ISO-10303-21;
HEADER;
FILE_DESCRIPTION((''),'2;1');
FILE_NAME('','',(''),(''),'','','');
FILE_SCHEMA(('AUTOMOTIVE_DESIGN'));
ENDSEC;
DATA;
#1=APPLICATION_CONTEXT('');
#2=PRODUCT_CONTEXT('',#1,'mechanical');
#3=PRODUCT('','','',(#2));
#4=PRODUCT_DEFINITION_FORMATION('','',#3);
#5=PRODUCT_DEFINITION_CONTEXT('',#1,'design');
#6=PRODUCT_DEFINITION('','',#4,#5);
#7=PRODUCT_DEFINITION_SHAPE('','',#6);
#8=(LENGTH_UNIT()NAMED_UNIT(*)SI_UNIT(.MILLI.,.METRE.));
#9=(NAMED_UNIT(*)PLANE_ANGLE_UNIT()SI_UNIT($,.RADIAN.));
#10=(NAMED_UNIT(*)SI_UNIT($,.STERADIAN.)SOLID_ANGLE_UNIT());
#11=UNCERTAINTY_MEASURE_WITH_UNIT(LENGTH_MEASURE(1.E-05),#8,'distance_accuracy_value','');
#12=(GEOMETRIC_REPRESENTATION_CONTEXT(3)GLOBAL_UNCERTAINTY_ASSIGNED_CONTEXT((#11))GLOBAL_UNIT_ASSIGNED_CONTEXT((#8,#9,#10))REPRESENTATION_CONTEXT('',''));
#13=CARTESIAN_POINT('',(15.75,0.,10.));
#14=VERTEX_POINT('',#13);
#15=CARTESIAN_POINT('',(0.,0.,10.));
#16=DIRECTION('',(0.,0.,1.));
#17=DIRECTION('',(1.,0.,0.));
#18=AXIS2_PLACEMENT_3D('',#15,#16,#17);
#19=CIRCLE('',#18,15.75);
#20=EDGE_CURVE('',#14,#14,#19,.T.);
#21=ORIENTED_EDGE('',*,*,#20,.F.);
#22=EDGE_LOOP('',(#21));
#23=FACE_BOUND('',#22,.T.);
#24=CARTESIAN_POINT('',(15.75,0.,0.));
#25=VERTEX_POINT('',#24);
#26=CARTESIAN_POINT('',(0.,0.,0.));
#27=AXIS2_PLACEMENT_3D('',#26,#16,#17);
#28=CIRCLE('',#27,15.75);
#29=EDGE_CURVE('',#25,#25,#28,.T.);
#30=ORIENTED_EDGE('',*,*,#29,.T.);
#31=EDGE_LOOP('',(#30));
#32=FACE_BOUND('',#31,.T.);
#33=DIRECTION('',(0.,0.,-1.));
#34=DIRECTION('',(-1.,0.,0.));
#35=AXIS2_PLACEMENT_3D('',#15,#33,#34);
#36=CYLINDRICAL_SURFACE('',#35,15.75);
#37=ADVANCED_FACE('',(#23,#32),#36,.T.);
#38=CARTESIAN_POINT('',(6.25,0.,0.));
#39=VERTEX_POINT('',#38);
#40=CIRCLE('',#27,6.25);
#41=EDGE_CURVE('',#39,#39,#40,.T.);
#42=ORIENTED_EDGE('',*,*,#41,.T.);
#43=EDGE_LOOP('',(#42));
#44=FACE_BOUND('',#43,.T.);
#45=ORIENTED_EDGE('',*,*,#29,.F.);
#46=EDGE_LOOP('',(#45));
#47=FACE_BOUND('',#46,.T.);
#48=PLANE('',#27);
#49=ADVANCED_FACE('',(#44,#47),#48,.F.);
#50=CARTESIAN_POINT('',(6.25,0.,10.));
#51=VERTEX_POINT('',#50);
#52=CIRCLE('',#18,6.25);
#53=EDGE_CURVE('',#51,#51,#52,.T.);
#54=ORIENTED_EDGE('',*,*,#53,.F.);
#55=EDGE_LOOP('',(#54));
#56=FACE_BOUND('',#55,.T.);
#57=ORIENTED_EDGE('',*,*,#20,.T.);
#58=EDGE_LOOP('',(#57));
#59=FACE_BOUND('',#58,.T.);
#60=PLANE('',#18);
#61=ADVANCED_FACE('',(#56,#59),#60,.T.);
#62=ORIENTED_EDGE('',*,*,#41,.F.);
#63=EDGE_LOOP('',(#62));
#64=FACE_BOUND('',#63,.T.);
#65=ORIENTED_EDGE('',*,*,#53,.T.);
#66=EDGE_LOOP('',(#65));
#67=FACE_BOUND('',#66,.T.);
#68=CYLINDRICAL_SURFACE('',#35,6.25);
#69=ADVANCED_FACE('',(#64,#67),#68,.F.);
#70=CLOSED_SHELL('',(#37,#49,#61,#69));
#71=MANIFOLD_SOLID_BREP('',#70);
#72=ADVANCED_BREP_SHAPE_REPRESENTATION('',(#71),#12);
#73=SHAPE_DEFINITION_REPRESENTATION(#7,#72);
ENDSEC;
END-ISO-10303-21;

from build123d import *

# Parameters (mm, degrees)
ESQUISSE1_R        = 15.75
ESQUISSE1_R_2      = 6.25
BOSS_EXTRU_1_DEPTH = 10


with BuildPart() as part:
    # Esquisse1 → Boss.-Extru.1 (new body)
    with BuildSketch(Plane.XY):
        Circle(ESQUISSE1_R)
        Circle(ESQUISSE1_R_2, mode=Mode.SUBTRACT)
    extrude(amount=BOSS_EXTRU_1_DEPTH)


solid = part.part
